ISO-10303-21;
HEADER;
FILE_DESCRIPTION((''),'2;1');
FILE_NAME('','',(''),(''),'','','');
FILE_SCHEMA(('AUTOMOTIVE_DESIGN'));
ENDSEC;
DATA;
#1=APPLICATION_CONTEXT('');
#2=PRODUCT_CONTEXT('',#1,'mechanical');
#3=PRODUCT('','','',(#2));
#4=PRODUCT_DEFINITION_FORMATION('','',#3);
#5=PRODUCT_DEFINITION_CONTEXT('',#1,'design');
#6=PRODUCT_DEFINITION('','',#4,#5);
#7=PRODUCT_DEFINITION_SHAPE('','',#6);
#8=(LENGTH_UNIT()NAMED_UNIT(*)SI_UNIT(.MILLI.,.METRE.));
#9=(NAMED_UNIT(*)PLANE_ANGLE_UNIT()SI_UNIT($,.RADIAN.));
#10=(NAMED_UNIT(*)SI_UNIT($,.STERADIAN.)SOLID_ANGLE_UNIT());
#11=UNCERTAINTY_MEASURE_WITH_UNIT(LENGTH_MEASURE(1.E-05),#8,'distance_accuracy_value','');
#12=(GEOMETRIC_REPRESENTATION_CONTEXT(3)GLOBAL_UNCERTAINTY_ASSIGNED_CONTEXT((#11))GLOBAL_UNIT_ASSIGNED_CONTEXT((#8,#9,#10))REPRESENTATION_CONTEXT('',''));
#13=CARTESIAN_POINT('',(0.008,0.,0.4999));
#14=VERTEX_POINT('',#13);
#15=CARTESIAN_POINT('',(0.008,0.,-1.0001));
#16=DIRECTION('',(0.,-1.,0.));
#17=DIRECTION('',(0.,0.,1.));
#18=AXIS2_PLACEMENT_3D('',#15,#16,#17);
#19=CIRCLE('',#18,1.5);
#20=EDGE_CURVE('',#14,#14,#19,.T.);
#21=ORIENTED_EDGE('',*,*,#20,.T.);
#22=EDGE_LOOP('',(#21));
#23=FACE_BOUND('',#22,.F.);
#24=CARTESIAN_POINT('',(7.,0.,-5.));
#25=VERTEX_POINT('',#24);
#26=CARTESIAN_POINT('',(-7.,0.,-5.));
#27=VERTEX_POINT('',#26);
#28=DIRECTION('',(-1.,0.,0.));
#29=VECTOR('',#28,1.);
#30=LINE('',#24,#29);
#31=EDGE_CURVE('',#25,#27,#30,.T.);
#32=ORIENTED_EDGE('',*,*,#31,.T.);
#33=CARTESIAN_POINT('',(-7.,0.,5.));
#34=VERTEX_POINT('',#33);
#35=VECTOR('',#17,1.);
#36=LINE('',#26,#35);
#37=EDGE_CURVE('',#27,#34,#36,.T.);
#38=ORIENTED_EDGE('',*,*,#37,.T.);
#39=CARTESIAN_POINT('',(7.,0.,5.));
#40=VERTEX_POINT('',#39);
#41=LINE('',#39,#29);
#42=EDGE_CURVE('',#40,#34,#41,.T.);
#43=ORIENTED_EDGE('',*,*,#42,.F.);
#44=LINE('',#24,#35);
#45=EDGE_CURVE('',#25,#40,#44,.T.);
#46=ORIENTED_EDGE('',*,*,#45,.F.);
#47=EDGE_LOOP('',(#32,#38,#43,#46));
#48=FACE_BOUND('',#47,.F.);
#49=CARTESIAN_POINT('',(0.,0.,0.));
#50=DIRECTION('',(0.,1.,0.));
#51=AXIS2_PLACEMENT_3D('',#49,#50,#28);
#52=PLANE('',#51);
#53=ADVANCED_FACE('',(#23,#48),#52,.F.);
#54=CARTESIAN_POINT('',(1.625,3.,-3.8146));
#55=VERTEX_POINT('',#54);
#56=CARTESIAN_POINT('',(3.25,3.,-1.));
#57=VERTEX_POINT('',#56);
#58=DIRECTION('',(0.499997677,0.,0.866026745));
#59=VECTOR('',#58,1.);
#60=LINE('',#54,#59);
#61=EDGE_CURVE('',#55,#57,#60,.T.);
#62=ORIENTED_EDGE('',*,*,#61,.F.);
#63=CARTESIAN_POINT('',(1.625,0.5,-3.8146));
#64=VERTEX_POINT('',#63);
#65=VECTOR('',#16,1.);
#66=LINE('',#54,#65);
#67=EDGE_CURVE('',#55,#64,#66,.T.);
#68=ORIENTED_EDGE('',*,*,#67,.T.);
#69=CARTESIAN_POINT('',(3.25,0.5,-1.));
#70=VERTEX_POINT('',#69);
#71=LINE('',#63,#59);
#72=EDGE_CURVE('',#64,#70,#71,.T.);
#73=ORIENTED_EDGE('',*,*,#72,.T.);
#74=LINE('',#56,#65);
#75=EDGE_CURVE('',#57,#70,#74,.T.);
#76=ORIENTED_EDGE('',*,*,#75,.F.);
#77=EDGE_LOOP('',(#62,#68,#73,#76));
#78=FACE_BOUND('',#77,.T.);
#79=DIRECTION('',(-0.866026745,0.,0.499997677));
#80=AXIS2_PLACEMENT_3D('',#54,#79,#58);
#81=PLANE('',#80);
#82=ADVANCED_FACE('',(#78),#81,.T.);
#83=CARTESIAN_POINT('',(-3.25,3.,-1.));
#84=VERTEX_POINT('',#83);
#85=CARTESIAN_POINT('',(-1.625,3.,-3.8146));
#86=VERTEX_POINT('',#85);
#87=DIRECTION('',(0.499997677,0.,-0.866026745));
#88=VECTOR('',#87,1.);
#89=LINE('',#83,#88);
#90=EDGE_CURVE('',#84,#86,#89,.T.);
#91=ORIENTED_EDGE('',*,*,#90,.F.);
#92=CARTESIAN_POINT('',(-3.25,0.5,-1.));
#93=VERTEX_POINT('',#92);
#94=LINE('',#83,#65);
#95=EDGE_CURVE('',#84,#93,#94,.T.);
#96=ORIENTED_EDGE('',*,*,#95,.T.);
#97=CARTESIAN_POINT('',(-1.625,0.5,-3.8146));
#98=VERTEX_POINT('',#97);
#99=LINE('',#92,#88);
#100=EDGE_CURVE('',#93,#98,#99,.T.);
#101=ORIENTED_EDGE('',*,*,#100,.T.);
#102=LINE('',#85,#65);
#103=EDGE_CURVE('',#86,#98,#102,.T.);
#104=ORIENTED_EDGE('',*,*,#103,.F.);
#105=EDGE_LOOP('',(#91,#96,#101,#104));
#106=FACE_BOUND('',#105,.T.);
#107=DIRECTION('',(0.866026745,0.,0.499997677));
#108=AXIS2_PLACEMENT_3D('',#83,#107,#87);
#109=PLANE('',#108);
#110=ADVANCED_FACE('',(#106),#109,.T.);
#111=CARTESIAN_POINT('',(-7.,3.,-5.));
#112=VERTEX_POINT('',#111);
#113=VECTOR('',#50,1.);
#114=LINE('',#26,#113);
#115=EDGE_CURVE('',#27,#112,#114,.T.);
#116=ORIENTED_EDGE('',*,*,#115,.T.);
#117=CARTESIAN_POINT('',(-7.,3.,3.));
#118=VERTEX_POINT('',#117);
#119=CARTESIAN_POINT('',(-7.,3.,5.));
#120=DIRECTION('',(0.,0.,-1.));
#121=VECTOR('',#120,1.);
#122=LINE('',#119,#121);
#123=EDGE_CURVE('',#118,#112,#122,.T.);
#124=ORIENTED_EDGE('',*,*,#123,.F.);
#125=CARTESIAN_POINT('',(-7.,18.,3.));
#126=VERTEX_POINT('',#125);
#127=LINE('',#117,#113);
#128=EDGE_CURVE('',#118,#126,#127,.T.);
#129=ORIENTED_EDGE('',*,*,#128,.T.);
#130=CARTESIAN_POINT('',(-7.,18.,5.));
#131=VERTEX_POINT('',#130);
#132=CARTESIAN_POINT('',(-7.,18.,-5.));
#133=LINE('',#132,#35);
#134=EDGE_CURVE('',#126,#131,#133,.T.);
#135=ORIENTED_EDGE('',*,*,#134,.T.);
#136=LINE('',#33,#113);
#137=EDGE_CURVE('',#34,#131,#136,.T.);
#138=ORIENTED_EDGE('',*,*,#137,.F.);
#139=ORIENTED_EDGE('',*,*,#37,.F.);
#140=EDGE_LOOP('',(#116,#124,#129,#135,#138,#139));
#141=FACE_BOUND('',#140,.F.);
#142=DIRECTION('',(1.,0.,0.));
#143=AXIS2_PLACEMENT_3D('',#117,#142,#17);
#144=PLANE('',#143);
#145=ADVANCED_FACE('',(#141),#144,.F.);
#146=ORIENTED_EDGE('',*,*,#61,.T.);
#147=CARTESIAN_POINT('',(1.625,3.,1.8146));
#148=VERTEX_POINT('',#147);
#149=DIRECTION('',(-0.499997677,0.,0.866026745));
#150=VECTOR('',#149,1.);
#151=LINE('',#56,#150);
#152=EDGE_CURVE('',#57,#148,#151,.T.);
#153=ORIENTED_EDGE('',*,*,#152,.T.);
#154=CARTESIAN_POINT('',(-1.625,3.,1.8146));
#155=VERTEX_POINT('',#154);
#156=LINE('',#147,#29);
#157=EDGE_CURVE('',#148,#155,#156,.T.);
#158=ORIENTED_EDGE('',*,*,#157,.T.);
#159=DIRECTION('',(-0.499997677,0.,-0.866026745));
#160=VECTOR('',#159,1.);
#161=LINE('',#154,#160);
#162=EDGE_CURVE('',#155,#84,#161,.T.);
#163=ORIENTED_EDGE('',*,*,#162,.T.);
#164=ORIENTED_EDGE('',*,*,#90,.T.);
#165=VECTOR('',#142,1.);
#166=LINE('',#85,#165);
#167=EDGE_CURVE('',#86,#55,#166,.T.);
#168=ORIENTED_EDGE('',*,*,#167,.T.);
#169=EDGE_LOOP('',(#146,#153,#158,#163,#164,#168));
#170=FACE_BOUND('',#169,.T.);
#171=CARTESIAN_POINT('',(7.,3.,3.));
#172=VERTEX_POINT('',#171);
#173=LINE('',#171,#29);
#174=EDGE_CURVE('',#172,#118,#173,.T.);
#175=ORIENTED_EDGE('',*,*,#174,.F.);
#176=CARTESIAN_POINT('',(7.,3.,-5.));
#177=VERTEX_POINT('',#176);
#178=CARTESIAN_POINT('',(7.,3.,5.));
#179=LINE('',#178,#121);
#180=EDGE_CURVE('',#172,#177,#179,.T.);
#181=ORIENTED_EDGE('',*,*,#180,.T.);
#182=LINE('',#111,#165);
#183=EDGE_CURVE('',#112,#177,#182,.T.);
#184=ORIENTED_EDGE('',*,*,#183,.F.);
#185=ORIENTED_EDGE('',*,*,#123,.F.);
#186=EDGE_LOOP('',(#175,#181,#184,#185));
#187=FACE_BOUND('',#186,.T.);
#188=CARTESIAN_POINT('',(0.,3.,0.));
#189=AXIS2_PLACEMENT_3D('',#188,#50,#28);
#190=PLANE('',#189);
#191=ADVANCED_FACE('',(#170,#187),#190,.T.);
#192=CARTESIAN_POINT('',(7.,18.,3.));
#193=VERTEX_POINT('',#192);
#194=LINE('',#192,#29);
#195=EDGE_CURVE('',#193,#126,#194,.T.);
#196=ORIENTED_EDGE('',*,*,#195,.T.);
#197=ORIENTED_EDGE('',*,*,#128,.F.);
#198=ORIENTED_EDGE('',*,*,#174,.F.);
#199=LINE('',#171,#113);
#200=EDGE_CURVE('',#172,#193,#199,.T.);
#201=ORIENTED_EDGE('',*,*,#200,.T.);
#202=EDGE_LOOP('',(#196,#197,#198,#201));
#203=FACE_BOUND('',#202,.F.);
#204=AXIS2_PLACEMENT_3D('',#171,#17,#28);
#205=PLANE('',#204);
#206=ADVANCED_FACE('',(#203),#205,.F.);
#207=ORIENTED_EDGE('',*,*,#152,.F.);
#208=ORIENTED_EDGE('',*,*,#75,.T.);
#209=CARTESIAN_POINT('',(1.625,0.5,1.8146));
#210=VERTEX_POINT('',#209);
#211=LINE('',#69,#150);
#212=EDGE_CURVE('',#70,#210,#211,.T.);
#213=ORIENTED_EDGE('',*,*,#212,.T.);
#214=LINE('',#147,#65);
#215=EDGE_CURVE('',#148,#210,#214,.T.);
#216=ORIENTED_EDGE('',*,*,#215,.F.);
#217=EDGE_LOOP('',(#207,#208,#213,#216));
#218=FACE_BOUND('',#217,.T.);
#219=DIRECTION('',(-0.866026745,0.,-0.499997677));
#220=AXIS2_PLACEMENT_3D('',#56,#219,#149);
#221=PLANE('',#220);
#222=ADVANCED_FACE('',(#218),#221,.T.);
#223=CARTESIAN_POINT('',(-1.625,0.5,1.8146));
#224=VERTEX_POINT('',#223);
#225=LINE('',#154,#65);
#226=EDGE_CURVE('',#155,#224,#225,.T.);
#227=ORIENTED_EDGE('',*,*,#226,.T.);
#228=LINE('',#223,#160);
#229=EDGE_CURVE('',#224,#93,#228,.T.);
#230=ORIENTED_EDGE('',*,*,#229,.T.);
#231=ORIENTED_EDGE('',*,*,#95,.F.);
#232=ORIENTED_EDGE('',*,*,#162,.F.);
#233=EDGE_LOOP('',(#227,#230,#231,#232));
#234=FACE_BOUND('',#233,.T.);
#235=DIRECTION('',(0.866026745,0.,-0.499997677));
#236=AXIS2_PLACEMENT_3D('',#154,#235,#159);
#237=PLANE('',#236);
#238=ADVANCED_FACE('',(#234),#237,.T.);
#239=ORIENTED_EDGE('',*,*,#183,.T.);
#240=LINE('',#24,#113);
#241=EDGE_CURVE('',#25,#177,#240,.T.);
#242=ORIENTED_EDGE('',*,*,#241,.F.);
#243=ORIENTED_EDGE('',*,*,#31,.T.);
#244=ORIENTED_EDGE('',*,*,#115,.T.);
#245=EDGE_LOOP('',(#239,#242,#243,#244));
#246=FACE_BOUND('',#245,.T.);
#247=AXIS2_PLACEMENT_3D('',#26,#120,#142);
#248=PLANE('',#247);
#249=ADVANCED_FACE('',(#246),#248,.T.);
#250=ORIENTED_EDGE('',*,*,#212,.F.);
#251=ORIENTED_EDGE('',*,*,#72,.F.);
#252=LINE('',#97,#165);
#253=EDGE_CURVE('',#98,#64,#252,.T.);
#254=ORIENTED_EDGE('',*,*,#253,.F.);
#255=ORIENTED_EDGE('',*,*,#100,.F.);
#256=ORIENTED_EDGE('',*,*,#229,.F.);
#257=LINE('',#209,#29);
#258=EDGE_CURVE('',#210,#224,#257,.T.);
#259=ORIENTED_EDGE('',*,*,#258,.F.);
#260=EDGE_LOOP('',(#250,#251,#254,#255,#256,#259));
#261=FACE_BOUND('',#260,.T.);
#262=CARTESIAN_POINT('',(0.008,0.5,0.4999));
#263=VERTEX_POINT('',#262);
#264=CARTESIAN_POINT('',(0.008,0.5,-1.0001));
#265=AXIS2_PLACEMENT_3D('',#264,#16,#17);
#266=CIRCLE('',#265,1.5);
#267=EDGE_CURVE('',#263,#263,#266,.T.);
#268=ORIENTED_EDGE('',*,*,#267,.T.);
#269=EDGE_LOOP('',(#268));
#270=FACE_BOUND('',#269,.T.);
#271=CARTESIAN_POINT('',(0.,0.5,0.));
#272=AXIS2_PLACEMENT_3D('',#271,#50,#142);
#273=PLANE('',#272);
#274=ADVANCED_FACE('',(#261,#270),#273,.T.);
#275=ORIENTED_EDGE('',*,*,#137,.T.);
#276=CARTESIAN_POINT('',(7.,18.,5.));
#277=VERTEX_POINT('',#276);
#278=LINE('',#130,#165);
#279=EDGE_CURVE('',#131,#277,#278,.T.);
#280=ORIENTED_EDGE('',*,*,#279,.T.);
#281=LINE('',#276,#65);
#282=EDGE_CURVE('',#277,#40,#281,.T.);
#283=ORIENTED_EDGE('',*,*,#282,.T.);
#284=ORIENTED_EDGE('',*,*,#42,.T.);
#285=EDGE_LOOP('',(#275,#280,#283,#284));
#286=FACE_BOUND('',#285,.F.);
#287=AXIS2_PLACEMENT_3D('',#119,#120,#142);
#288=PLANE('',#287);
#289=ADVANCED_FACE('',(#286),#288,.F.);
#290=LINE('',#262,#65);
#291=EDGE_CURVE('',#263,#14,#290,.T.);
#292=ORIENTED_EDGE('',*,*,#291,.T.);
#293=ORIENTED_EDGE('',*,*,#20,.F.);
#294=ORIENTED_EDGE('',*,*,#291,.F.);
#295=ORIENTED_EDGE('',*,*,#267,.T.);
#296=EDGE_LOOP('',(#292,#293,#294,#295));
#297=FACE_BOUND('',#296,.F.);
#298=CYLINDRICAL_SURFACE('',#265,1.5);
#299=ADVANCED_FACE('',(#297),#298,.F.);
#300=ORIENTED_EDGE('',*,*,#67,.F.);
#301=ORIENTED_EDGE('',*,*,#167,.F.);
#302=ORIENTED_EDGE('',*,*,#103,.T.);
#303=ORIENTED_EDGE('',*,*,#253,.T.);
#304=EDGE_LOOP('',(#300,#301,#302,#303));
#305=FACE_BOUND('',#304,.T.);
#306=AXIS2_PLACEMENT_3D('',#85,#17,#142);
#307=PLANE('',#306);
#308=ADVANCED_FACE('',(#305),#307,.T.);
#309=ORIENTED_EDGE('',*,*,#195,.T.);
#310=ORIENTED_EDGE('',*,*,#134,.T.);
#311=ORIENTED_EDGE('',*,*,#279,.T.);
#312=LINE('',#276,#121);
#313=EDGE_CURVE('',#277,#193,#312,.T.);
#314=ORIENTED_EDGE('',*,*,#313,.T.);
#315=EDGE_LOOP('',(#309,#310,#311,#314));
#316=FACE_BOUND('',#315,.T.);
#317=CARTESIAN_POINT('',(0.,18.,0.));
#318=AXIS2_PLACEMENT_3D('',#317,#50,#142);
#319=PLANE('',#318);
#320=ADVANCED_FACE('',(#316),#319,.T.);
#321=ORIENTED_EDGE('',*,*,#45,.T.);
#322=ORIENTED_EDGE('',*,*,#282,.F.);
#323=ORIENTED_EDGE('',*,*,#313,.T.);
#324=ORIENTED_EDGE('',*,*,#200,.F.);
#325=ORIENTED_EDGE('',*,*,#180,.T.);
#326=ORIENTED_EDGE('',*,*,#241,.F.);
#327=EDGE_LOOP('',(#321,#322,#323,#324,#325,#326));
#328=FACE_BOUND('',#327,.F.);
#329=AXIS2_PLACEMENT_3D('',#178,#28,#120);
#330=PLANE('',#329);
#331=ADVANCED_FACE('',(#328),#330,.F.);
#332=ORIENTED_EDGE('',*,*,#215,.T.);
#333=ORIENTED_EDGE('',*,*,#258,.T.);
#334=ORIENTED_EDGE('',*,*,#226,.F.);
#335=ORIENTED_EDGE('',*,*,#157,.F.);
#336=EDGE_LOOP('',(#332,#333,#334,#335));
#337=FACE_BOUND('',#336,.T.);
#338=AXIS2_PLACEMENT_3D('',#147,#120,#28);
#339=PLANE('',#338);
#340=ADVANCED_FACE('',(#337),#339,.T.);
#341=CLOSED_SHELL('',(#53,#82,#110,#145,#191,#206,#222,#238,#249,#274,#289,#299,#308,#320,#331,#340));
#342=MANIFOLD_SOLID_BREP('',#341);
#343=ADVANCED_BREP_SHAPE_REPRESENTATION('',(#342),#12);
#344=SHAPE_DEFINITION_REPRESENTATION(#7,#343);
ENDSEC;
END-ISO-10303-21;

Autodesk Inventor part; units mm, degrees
ref_plane "YZ Plane" through (0, 0, 0) normal (1, 0, 0) x (0, 1, 0)
ref_plane "XZ Plane" through (0, 0, 0) normal (0, 1, 0) x (-1, 0, 0)
ref_plane "XY Plane" through (0, 0, 0) normal (0, 0, 1) x (1, 0, 0)
sketch "Sketch1" plane through (0, 0, 0) normal (0, 1, 0) x (-1, 0, 0)
  line L0 (9.8, 0) -> (-9.8, 0) projected
  line L1 (0, -7) -> (0, 7) projected
  line L2 (-7, 5) -> (7, 5)
  line L3 (7, 5) -> (7, -5)
  line L4 (7, -5) -> (-7, -5)
  line L5 (-7, -5) -> (-7, 5)
  line L6 (-7, 5) -> (7, -5) construction
  line L7 (7, 5) -> (-7, -5) construction
  point P0 (0, 0)
  dimension "d0" = 14
  dimension "d1" = 10
extrude "Extrusion1" add sketch "Sketch1" along normal blind 3
sketch "Sketch2" plane through (0, 3, 0) normal (0, 1, 0) x (1, 0, 0)
  line L0 (-7, 5) -> (-7, -5) projected
  line L1 (7, -5) -> (7, 5) projected
  line L2 (-7, -5) -> (7, -5)
  line L3 (7, -5) -> (7, -3)
  line L4 (7, -3) -> (-7, -3)
  line L5 (-7, -3) -> (-7, -5)
  point P0 (0, 0)
  point P1 (7, -5)
  point P2 (-7, -3)
  dimension "d4" = 2
extrude "Extrusion2" add sketch "Sketch2" along normal blind 15
sketch "Sketch4" plane through (0, 3, 0) normal (0, 1, 0) x (1, 0, 0)
  line L0 (1.625, -1.8146) -> (-1.625, -1.8146)
  line L1 (-1.625, -1.8146) -> (-3.25, 1)
  line L2 (-3.25, 1) -> (-1.625, 3.8146)
  line L3 (-1.625, 3.8146) -> (1.625, 3.8146)
  line L4 (1.625, 3.8146) -> (3.25, 1)
  line L5 (3.25, 1) -> (1.625, -1.8146)
  line L6 (7, 5) -> (-7, 5) projected
  line L7 (-7, 5) -> (-7, -3) projected
  point P0 (0, 0)
  point P1 (0, 1)
  dimension "d8" = 6.5
  dimension "d9" = 3.25
  dimension "d10" = 4
  dimension "d11" = 7
extrude "Extrusion3" cut sketch "Sketch4" against normal blind 2.5
sketch "Sketch5" plane through (0, 0.5, 0) normal (0, 1, 0) x (1, 0, 0)
  line L0 (-3.25, 1) -> (-1.625, 3.8146) projected
  line L1 (-1.625, 3.8146) -> (1.625, 3.8146) projected
  point P0 (0, 0)
  point P1 (0.008, 1.0001)
  dimension "d21" = 2.8215
  dimension "d22" = 2.8145
hole "Hole1" at (0.008, 0.5, -1.0001) direction (0, -1, 0) diameter 3 end through all
properties part number "uchwyt_krancowka_alternatywa_2"
